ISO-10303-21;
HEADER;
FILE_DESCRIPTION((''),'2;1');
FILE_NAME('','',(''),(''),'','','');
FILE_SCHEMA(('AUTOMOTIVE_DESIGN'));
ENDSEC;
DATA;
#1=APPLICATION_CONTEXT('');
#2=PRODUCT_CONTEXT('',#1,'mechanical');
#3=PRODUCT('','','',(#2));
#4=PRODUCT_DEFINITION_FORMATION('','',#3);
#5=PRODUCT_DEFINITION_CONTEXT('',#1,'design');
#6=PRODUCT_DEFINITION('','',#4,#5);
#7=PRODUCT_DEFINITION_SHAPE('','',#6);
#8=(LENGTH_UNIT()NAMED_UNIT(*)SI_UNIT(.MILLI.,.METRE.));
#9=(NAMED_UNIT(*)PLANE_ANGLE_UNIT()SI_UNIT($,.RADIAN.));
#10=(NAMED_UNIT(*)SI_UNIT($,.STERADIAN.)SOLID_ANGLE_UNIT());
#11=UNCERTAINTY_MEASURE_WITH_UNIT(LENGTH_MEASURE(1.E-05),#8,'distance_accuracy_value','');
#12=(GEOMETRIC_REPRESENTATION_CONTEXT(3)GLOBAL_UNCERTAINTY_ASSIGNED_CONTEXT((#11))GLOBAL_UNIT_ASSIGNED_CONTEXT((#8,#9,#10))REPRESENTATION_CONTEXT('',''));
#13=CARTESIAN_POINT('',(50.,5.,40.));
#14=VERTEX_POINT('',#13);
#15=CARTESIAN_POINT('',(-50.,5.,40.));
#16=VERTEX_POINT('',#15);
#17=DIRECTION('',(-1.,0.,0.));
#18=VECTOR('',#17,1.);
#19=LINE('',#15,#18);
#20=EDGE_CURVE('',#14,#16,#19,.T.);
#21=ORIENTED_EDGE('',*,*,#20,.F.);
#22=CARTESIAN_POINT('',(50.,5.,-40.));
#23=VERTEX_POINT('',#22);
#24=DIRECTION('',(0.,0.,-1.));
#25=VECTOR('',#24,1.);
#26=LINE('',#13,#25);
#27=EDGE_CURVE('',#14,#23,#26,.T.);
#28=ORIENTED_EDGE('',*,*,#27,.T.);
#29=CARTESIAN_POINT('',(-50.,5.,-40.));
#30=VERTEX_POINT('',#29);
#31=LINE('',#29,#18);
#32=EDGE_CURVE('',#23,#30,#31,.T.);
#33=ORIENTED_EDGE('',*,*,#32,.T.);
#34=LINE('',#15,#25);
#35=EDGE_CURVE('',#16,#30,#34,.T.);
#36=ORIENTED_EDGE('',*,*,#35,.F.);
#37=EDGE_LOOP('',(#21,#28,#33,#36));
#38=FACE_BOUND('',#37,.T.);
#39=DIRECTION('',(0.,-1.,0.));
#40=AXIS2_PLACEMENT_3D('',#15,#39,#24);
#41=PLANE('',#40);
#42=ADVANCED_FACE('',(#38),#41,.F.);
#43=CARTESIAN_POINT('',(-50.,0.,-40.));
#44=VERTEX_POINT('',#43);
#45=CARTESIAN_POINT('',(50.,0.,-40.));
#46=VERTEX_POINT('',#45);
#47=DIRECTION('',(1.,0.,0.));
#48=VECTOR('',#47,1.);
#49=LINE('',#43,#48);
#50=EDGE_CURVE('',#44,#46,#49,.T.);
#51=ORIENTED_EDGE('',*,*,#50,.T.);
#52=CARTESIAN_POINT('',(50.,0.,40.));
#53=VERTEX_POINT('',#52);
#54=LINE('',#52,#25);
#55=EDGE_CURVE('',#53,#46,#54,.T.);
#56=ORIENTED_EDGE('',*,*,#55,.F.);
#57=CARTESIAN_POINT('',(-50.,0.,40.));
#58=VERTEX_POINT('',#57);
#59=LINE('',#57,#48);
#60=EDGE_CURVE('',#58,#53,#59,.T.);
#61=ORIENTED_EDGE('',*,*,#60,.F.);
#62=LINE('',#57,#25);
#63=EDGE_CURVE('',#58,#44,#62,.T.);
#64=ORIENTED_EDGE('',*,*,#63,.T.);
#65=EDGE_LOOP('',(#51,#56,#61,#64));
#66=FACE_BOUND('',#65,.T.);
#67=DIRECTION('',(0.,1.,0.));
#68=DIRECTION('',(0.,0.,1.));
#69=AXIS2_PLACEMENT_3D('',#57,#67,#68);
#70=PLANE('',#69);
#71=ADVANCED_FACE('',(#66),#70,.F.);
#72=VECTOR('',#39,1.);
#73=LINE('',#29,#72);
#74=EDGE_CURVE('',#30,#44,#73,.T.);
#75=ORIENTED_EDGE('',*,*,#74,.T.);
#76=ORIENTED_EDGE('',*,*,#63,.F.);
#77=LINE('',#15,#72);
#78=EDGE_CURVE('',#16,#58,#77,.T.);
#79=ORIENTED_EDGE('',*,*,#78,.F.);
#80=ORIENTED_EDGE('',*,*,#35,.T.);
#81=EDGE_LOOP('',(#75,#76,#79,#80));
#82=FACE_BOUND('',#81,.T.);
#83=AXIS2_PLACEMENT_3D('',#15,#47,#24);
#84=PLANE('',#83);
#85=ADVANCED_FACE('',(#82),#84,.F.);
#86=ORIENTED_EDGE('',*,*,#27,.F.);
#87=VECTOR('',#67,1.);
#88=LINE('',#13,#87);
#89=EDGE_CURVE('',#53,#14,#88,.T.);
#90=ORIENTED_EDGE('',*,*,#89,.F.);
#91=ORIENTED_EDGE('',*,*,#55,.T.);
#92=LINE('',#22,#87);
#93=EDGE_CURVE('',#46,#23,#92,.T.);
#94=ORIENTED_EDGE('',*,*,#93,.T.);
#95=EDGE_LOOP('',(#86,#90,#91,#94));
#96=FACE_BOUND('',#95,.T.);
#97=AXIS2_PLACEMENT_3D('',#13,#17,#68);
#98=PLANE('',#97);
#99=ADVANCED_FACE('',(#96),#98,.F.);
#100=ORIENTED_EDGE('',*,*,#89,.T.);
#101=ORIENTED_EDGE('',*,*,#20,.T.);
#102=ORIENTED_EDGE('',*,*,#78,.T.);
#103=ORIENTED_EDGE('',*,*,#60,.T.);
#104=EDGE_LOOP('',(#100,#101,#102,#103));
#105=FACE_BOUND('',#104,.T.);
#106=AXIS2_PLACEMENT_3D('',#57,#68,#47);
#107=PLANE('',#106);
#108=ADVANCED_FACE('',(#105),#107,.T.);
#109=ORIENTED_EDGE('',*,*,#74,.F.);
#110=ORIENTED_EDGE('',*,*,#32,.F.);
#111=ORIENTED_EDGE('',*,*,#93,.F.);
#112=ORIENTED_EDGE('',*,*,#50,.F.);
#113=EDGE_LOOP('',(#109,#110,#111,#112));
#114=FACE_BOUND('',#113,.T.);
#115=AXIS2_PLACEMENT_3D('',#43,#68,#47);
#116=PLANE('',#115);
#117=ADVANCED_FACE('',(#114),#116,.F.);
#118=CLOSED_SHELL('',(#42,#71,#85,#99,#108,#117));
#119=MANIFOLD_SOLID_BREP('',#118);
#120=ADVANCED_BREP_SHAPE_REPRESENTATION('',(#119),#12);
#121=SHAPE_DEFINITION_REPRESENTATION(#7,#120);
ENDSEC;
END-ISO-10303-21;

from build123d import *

# Parameters (mm, degrees)
SKETCH1_W          = 100
SKETCH1_H          = 5
BASE_EXTRUDE_DEPTH = 40


with BuildPart() as part:
    # Sketch1 → Base-Extrude (new, symmetric)
    with BuildSketch(Plane.XY):
        with Locations((0, 2.5)):
            Rectangle(SKETCH1_W, SKETCH1_H)
    extrude(amount=BASE_EXTRUDE_DEPTH, both=True)


solid = part.part
